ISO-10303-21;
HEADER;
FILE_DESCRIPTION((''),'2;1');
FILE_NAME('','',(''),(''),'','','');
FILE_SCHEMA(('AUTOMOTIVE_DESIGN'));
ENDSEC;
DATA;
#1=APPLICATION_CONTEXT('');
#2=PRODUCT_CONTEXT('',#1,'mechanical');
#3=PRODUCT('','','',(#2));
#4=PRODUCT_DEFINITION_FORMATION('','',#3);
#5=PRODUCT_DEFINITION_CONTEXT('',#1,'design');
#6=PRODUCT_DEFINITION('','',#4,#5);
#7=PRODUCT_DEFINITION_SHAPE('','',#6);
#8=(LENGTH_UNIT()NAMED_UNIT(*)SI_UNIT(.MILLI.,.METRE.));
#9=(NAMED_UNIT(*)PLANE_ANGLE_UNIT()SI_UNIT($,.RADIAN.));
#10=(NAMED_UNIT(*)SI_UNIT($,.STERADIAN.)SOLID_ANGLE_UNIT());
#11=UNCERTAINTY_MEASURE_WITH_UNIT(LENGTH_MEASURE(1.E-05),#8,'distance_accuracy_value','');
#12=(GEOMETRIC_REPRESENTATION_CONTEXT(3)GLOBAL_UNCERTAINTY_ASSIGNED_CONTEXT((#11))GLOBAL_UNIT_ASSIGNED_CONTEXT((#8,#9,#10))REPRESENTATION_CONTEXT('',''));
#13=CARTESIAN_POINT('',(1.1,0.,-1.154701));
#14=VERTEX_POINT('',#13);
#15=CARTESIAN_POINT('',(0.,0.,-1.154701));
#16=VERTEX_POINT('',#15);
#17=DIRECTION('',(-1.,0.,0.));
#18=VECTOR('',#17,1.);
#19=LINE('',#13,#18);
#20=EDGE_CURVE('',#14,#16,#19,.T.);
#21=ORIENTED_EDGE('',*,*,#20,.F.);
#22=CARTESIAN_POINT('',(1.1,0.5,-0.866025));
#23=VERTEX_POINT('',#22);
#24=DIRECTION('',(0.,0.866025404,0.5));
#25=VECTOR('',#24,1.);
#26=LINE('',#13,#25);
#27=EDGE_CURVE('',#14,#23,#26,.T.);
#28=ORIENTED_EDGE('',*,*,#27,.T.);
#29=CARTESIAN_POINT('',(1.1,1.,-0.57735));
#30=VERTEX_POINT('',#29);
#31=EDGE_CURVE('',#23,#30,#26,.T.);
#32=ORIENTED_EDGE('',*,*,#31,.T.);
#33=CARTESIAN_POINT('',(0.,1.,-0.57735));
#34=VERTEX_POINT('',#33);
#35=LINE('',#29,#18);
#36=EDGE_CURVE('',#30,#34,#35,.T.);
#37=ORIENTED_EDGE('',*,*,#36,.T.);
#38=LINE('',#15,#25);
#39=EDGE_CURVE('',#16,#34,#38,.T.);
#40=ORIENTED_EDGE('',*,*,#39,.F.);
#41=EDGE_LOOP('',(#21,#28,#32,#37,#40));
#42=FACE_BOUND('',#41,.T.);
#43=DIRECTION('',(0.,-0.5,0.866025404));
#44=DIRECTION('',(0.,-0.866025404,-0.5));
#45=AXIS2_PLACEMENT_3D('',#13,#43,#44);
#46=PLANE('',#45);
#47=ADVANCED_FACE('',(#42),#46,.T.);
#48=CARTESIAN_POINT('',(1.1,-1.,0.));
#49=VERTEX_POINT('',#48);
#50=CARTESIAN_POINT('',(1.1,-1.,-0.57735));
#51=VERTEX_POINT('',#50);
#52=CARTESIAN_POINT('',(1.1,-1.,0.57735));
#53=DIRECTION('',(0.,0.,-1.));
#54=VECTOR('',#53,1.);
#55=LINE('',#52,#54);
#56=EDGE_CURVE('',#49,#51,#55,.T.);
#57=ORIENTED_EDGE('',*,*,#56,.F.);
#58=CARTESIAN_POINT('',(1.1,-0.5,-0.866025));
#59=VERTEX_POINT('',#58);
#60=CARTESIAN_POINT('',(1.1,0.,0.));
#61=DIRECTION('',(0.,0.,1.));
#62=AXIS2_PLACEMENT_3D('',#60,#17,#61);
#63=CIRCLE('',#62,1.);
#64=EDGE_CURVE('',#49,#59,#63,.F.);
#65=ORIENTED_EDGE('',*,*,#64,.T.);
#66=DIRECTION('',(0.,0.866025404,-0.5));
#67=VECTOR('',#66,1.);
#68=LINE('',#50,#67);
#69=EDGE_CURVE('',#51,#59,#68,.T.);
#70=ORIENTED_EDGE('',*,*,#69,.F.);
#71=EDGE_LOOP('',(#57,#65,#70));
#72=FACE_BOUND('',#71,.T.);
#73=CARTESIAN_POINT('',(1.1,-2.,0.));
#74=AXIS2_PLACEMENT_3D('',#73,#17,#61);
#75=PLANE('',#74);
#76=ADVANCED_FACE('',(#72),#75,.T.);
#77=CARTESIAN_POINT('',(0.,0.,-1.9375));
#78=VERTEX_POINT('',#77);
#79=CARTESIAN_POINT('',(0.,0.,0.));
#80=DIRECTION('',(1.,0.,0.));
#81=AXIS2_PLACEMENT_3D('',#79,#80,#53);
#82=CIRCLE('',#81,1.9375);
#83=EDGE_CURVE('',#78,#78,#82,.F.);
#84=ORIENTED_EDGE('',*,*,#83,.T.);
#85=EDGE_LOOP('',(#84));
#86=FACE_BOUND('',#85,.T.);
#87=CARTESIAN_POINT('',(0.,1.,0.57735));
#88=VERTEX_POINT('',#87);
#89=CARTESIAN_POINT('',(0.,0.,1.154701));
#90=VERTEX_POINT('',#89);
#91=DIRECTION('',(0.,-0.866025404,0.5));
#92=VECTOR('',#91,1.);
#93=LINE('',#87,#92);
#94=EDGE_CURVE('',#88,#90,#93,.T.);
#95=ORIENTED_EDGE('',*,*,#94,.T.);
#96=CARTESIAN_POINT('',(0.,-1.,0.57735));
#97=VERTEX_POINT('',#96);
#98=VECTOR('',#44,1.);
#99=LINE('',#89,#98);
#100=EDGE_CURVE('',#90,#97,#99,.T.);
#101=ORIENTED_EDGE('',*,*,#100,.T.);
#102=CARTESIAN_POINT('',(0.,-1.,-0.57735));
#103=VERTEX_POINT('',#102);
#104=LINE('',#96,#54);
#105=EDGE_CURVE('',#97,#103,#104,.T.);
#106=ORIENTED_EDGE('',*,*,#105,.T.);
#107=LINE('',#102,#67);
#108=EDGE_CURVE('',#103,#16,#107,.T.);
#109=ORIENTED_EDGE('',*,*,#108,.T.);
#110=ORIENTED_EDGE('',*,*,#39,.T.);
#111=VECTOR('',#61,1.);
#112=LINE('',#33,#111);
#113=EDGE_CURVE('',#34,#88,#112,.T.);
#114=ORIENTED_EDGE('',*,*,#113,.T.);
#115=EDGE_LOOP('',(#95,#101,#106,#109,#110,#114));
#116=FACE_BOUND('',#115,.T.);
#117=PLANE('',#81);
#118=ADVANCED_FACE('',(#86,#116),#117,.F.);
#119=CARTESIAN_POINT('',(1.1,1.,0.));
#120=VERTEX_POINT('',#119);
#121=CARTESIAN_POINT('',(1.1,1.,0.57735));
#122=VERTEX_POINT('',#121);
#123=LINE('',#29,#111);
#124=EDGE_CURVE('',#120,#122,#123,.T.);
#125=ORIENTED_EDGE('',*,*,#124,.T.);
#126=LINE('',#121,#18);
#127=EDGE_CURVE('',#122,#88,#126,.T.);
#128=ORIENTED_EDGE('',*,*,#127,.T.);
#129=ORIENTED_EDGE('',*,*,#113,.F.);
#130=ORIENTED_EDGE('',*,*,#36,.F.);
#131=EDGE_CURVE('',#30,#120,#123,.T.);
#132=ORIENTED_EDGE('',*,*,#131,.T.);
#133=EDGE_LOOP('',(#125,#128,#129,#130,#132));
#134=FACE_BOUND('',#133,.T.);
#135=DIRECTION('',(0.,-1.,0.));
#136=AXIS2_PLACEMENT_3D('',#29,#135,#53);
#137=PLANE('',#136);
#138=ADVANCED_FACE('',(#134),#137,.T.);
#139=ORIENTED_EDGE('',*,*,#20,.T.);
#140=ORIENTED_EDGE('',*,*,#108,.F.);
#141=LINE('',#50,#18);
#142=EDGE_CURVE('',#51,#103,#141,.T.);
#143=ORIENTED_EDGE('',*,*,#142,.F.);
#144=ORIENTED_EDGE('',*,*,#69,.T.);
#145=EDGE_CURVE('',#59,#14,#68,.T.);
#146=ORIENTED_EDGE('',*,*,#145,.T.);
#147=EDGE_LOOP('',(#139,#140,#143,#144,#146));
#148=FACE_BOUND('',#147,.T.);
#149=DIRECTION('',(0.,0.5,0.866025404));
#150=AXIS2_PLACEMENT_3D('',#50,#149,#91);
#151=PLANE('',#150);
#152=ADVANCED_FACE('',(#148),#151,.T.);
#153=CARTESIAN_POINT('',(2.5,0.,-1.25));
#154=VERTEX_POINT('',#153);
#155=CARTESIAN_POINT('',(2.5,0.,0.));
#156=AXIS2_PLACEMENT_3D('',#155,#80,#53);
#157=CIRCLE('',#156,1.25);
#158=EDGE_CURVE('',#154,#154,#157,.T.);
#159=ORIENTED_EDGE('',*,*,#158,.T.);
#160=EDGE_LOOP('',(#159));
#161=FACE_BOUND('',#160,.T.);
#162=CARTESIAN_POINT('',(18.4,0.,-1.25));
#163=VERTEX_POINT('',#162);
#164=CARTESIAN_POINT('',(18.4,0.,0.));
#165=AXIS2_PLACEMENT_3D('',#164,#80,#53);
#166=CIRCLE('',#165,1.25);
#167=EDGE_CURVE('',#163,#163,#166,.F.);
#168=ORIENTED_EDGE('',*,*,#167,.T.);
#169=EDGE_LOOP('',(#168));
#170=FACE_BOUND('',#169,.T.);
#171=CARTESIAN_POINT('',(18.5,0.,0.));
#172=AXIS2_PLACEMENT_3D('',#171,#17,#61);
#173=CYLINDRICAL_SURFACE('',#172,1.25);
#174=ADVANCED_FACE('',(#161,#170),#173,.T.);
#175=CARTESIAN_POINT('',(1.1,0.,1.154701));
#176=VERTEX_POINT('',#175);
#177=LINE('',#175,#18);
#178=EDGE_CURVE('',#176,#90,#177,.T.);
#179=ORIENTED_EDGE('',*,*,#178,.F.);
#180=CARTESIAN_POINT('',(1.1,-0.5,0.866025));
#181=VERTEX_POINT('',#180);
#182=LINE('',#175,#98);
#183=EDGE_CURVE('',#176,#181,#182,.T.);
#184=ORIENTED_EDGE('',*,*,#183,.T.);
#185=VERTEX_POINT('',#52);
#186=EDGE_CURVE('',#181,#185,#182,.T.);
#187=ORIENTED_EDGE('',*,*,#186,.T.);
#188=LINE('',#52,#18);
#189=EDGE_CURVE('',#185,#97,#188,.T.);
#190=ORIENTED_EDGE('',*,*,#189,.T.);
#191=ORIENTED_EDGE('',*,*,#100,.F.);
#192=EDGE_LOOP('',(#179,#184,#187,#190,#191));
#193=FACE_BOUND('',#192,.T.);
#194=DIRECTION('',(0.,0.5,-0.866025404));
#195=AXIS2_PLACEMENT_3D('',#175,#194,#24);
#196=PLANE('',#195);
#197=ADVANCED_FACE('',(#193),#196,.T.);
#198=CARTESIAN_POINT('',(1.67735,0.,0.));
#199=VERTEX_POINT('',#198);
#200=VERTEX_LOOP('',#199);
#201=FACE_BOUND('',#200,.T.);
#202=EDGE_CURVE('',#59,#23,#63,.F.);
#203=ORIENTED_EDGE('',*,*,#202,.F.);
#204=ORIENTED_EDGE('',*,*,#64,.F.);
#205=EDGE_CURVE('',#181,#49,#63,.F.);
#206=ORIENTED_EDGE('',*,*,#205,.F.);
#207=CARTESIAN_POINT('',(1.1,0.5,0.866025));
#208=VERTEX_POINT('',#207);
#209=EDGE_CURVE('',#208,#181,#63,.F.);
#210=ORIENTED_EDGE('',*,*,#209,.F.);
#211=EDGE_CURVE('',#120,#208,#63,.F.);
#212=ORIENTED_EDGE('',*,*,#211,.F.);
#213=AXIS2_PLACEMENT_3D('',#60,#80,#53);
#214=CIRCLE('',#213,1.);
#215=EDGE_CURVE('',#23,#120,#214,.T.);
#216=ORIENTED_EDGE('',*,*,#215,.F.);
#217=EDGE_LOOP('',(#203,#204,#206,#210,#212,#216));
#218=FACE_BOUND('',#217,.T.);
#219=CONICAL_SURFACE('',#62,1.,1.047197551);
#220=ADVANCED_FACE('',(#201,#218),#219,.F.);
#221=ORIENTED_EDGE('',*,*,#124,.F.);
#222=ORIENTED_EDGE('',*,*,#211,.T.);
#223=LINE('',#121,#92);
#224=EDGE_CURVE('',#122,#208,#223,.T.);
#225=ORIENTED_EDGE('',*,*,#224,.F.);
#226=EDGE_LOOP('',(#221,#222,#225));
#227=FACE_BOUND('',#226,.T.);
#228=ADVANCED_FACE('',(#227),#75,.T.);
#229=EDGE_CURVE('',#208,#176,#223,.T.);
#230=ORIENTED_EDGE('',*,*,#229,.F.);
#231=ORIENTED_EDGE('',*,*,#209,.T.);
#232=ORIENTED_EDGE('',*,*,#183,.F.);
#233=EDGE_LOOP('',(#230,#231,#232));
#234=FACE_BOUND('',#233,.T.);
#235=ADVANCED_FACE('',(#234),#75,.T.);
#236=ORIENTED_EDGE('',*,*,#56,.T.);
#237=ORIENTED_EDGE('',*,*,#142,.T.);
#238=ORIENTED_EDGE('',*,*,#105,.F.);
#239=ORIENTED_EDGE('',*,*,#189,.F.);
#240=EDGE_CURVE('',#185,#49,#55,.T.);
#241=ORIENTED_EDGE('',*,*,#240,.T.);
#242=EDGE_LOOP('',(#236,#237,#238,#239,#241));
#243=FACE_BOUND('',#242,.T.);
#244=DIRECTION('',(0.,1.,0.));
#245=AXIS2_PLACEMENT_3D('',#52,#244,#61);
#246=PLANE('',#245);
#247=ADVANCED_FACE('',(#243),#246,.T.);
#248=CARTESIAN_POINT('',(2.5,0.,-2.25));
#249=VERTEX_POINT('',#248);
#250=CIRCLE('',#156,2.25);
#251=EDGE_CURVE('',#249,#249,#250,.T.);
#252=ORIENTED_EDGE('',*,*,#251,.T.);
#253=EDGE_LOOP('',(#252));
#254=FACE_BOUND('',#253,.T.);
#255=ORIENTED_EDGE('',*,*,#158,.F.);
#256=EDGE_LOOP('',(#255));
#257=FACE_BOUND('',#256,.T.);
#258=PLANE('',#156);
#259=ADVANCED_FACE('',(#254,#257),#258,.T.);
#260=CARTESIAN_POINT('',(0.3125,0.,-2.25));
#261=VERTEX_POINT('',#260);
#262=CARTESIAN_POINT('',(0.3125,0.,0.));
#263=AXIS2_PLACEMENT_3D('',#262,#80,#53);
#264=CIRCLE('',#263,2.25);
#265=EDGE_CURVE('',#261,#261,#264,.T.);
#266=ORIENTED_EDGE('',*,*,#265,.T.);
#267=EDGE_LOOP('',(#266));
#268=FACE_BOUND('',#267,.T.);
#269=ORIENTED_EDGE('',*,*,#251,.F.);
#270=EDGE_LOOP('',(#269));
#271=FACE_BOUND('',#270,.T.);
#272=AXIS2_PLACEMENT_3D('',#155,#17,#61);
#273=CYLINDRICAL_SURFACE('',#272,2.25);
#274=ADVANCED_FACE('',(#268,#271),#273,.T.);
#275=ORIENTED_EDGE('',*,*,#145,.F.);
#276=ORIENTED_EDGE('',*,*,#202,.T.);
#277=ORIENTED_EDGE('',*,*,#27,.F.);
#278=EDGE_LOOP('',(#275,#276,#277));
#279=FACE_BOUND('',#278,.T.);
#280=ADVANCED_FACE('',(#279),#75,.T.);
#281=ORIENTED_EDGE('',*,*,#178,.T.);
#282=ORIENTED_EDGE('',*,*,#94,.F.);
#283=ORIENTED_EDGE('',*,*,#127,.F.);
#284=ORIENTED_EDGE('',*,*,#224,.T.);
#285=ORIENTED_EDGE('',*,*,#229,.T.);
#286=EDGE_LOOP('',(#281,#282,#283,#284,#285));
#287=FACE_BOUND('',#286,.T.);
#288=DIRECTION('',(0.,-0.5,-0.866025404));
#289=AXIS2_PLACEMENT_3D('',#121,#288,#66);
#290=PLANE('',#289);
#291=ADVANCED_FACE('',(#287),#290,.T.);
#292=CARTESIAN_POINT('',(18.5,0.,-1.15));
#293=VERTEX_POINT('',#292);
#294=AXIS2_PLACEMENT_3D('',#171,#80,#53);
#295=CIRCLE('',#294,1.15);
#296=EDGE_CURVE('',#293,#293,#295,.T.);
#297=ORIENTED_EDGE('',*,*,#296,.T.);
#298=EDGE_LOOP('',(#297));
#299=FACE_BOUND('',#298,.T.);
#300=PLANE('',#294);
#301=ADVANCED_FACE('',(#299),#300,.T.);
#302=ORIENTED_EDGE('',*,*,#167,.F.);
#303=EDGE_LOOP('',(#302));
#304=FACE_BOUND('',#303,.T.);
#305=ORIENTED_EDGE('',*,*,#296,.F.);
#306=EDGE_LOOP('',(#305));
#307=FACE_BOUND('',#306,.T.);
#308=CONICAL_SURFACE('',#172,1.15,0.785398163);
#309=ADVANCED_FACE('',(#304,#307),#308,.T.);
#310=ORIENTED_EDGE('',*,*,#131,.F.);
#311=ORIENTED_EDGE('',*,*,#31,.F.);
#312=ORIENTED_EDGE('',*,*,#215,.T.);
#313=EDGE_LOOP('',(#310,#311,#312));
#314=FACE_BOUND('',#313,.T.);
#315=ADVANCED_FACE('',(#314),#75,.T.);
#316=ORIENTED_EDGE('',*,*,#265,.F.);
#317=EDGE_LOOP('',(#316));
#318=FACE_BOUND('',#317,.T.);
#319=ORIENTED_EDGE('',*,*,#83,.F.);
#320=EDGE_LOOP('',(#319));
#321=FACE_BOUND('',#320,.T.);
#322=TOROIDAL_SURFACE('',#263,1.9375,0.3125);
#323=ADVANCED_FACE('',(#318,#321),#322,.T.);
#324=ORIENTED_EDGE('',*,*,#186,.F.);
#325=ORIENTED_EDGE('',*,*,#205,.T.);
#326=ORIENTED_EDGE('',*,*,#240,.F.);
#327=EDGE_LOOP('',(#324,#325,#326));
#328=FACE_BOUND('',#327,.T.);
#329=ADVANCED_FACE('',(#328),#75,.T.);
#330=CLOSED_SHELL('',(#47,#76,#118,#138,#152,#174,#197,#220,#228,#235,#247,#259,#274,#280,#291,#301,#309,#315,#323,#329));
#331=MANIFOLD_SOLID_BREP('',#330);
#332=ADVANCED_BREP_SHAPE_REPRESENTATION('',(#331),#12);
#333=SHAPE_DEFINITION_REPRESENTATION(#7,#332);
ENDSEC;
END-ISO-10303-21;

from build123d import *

# Parameters (mm, degrees)
SKETCH1_R           = 2.25
BASEHEAD_DEPTH      = 2.5
SKETCH2_R           = 1.25
BASEBODY_DEPTH      = 16
HEXAGONSOCKET_DEPTH = 1.1
TOPFILLET_R         = 0.3125
CHAMFER1_SIZE       = 0.1


with BuildPart() as part:
    # Sketch1 → BaseHead (new body)
    with BuildSketch(Plane(origin=(0, 0, 0), x_dir=(0, 0, -1), z_dir=(1, 0, 0))):
        Circle(SKETCH1_R)
    extrude(amount=BASEHEAD_DEPTH)

    # Sketch2 → BaseBody (add)
    with BuildSketch(Plane(origin=(2.5, 0, 0), x_dir=(0, 0, -1), z_dir=(1, 0, 0))):
        Circle(SKETCH2_R)
    extrude(amount=BASEBODY_DEPTH)

    # Sketch3 → HexagonSocket (cut)
    with BuildSketch(Plane(origin=(0, 0, 0), x_dir=(0, 0, -1), z_dir=(1, 0, 0))):
        Polygon((1.154700538, 0), (0.577350269, 1), (-0.577350269, 1), (-1.154700538, 0), (-0.577350269, -1), (0.577350269, -1), align=None)
    extrude(amount=HEXAGONSOCKET_DEPTH, mode=Mode.SUBTRACT)

    # Sketch4 → Cut-Revolve1 (revolve, cut)
    with BuildSketch(Plane(origin=(-4.19613823, 0.75, 0), x_dir=(-1, 0, 0), z_dir=(0, 0, 1)), mode=Mode.PRIVATE) as cut_revolve1_sk:
        Polygon((-5.29613823, 1.75), (-5.873488499, 0.75), (-5.29613823, 0.75), align=None)
    revolve(cut_revolve1_sk.sketch.rotate(Axis((0.838992387, 0, 0), (-1, 0, 0)), 90), axis=Axis((0.838992387, 0, 0), (-1, 0, 0)), mode=Mode.SUBTRACT)

    # TopFillet
    topfillet_edges = [part.edges().sort_by_distance(p)[0] for p in [
        (0, 0, 2.25),
    ]]
    fillet(topfillet_edges, radius=TOPFILLET_R)

    # Chamfer1
    chamfer1_edges = [part.edges().sort_by_distance(p)[0] for p in [
        (18.5, 0, 1.25),
    ]]
    chamfer(chamfer1_edges, length=CHAMFER1_SIZE)


solid = part.part
